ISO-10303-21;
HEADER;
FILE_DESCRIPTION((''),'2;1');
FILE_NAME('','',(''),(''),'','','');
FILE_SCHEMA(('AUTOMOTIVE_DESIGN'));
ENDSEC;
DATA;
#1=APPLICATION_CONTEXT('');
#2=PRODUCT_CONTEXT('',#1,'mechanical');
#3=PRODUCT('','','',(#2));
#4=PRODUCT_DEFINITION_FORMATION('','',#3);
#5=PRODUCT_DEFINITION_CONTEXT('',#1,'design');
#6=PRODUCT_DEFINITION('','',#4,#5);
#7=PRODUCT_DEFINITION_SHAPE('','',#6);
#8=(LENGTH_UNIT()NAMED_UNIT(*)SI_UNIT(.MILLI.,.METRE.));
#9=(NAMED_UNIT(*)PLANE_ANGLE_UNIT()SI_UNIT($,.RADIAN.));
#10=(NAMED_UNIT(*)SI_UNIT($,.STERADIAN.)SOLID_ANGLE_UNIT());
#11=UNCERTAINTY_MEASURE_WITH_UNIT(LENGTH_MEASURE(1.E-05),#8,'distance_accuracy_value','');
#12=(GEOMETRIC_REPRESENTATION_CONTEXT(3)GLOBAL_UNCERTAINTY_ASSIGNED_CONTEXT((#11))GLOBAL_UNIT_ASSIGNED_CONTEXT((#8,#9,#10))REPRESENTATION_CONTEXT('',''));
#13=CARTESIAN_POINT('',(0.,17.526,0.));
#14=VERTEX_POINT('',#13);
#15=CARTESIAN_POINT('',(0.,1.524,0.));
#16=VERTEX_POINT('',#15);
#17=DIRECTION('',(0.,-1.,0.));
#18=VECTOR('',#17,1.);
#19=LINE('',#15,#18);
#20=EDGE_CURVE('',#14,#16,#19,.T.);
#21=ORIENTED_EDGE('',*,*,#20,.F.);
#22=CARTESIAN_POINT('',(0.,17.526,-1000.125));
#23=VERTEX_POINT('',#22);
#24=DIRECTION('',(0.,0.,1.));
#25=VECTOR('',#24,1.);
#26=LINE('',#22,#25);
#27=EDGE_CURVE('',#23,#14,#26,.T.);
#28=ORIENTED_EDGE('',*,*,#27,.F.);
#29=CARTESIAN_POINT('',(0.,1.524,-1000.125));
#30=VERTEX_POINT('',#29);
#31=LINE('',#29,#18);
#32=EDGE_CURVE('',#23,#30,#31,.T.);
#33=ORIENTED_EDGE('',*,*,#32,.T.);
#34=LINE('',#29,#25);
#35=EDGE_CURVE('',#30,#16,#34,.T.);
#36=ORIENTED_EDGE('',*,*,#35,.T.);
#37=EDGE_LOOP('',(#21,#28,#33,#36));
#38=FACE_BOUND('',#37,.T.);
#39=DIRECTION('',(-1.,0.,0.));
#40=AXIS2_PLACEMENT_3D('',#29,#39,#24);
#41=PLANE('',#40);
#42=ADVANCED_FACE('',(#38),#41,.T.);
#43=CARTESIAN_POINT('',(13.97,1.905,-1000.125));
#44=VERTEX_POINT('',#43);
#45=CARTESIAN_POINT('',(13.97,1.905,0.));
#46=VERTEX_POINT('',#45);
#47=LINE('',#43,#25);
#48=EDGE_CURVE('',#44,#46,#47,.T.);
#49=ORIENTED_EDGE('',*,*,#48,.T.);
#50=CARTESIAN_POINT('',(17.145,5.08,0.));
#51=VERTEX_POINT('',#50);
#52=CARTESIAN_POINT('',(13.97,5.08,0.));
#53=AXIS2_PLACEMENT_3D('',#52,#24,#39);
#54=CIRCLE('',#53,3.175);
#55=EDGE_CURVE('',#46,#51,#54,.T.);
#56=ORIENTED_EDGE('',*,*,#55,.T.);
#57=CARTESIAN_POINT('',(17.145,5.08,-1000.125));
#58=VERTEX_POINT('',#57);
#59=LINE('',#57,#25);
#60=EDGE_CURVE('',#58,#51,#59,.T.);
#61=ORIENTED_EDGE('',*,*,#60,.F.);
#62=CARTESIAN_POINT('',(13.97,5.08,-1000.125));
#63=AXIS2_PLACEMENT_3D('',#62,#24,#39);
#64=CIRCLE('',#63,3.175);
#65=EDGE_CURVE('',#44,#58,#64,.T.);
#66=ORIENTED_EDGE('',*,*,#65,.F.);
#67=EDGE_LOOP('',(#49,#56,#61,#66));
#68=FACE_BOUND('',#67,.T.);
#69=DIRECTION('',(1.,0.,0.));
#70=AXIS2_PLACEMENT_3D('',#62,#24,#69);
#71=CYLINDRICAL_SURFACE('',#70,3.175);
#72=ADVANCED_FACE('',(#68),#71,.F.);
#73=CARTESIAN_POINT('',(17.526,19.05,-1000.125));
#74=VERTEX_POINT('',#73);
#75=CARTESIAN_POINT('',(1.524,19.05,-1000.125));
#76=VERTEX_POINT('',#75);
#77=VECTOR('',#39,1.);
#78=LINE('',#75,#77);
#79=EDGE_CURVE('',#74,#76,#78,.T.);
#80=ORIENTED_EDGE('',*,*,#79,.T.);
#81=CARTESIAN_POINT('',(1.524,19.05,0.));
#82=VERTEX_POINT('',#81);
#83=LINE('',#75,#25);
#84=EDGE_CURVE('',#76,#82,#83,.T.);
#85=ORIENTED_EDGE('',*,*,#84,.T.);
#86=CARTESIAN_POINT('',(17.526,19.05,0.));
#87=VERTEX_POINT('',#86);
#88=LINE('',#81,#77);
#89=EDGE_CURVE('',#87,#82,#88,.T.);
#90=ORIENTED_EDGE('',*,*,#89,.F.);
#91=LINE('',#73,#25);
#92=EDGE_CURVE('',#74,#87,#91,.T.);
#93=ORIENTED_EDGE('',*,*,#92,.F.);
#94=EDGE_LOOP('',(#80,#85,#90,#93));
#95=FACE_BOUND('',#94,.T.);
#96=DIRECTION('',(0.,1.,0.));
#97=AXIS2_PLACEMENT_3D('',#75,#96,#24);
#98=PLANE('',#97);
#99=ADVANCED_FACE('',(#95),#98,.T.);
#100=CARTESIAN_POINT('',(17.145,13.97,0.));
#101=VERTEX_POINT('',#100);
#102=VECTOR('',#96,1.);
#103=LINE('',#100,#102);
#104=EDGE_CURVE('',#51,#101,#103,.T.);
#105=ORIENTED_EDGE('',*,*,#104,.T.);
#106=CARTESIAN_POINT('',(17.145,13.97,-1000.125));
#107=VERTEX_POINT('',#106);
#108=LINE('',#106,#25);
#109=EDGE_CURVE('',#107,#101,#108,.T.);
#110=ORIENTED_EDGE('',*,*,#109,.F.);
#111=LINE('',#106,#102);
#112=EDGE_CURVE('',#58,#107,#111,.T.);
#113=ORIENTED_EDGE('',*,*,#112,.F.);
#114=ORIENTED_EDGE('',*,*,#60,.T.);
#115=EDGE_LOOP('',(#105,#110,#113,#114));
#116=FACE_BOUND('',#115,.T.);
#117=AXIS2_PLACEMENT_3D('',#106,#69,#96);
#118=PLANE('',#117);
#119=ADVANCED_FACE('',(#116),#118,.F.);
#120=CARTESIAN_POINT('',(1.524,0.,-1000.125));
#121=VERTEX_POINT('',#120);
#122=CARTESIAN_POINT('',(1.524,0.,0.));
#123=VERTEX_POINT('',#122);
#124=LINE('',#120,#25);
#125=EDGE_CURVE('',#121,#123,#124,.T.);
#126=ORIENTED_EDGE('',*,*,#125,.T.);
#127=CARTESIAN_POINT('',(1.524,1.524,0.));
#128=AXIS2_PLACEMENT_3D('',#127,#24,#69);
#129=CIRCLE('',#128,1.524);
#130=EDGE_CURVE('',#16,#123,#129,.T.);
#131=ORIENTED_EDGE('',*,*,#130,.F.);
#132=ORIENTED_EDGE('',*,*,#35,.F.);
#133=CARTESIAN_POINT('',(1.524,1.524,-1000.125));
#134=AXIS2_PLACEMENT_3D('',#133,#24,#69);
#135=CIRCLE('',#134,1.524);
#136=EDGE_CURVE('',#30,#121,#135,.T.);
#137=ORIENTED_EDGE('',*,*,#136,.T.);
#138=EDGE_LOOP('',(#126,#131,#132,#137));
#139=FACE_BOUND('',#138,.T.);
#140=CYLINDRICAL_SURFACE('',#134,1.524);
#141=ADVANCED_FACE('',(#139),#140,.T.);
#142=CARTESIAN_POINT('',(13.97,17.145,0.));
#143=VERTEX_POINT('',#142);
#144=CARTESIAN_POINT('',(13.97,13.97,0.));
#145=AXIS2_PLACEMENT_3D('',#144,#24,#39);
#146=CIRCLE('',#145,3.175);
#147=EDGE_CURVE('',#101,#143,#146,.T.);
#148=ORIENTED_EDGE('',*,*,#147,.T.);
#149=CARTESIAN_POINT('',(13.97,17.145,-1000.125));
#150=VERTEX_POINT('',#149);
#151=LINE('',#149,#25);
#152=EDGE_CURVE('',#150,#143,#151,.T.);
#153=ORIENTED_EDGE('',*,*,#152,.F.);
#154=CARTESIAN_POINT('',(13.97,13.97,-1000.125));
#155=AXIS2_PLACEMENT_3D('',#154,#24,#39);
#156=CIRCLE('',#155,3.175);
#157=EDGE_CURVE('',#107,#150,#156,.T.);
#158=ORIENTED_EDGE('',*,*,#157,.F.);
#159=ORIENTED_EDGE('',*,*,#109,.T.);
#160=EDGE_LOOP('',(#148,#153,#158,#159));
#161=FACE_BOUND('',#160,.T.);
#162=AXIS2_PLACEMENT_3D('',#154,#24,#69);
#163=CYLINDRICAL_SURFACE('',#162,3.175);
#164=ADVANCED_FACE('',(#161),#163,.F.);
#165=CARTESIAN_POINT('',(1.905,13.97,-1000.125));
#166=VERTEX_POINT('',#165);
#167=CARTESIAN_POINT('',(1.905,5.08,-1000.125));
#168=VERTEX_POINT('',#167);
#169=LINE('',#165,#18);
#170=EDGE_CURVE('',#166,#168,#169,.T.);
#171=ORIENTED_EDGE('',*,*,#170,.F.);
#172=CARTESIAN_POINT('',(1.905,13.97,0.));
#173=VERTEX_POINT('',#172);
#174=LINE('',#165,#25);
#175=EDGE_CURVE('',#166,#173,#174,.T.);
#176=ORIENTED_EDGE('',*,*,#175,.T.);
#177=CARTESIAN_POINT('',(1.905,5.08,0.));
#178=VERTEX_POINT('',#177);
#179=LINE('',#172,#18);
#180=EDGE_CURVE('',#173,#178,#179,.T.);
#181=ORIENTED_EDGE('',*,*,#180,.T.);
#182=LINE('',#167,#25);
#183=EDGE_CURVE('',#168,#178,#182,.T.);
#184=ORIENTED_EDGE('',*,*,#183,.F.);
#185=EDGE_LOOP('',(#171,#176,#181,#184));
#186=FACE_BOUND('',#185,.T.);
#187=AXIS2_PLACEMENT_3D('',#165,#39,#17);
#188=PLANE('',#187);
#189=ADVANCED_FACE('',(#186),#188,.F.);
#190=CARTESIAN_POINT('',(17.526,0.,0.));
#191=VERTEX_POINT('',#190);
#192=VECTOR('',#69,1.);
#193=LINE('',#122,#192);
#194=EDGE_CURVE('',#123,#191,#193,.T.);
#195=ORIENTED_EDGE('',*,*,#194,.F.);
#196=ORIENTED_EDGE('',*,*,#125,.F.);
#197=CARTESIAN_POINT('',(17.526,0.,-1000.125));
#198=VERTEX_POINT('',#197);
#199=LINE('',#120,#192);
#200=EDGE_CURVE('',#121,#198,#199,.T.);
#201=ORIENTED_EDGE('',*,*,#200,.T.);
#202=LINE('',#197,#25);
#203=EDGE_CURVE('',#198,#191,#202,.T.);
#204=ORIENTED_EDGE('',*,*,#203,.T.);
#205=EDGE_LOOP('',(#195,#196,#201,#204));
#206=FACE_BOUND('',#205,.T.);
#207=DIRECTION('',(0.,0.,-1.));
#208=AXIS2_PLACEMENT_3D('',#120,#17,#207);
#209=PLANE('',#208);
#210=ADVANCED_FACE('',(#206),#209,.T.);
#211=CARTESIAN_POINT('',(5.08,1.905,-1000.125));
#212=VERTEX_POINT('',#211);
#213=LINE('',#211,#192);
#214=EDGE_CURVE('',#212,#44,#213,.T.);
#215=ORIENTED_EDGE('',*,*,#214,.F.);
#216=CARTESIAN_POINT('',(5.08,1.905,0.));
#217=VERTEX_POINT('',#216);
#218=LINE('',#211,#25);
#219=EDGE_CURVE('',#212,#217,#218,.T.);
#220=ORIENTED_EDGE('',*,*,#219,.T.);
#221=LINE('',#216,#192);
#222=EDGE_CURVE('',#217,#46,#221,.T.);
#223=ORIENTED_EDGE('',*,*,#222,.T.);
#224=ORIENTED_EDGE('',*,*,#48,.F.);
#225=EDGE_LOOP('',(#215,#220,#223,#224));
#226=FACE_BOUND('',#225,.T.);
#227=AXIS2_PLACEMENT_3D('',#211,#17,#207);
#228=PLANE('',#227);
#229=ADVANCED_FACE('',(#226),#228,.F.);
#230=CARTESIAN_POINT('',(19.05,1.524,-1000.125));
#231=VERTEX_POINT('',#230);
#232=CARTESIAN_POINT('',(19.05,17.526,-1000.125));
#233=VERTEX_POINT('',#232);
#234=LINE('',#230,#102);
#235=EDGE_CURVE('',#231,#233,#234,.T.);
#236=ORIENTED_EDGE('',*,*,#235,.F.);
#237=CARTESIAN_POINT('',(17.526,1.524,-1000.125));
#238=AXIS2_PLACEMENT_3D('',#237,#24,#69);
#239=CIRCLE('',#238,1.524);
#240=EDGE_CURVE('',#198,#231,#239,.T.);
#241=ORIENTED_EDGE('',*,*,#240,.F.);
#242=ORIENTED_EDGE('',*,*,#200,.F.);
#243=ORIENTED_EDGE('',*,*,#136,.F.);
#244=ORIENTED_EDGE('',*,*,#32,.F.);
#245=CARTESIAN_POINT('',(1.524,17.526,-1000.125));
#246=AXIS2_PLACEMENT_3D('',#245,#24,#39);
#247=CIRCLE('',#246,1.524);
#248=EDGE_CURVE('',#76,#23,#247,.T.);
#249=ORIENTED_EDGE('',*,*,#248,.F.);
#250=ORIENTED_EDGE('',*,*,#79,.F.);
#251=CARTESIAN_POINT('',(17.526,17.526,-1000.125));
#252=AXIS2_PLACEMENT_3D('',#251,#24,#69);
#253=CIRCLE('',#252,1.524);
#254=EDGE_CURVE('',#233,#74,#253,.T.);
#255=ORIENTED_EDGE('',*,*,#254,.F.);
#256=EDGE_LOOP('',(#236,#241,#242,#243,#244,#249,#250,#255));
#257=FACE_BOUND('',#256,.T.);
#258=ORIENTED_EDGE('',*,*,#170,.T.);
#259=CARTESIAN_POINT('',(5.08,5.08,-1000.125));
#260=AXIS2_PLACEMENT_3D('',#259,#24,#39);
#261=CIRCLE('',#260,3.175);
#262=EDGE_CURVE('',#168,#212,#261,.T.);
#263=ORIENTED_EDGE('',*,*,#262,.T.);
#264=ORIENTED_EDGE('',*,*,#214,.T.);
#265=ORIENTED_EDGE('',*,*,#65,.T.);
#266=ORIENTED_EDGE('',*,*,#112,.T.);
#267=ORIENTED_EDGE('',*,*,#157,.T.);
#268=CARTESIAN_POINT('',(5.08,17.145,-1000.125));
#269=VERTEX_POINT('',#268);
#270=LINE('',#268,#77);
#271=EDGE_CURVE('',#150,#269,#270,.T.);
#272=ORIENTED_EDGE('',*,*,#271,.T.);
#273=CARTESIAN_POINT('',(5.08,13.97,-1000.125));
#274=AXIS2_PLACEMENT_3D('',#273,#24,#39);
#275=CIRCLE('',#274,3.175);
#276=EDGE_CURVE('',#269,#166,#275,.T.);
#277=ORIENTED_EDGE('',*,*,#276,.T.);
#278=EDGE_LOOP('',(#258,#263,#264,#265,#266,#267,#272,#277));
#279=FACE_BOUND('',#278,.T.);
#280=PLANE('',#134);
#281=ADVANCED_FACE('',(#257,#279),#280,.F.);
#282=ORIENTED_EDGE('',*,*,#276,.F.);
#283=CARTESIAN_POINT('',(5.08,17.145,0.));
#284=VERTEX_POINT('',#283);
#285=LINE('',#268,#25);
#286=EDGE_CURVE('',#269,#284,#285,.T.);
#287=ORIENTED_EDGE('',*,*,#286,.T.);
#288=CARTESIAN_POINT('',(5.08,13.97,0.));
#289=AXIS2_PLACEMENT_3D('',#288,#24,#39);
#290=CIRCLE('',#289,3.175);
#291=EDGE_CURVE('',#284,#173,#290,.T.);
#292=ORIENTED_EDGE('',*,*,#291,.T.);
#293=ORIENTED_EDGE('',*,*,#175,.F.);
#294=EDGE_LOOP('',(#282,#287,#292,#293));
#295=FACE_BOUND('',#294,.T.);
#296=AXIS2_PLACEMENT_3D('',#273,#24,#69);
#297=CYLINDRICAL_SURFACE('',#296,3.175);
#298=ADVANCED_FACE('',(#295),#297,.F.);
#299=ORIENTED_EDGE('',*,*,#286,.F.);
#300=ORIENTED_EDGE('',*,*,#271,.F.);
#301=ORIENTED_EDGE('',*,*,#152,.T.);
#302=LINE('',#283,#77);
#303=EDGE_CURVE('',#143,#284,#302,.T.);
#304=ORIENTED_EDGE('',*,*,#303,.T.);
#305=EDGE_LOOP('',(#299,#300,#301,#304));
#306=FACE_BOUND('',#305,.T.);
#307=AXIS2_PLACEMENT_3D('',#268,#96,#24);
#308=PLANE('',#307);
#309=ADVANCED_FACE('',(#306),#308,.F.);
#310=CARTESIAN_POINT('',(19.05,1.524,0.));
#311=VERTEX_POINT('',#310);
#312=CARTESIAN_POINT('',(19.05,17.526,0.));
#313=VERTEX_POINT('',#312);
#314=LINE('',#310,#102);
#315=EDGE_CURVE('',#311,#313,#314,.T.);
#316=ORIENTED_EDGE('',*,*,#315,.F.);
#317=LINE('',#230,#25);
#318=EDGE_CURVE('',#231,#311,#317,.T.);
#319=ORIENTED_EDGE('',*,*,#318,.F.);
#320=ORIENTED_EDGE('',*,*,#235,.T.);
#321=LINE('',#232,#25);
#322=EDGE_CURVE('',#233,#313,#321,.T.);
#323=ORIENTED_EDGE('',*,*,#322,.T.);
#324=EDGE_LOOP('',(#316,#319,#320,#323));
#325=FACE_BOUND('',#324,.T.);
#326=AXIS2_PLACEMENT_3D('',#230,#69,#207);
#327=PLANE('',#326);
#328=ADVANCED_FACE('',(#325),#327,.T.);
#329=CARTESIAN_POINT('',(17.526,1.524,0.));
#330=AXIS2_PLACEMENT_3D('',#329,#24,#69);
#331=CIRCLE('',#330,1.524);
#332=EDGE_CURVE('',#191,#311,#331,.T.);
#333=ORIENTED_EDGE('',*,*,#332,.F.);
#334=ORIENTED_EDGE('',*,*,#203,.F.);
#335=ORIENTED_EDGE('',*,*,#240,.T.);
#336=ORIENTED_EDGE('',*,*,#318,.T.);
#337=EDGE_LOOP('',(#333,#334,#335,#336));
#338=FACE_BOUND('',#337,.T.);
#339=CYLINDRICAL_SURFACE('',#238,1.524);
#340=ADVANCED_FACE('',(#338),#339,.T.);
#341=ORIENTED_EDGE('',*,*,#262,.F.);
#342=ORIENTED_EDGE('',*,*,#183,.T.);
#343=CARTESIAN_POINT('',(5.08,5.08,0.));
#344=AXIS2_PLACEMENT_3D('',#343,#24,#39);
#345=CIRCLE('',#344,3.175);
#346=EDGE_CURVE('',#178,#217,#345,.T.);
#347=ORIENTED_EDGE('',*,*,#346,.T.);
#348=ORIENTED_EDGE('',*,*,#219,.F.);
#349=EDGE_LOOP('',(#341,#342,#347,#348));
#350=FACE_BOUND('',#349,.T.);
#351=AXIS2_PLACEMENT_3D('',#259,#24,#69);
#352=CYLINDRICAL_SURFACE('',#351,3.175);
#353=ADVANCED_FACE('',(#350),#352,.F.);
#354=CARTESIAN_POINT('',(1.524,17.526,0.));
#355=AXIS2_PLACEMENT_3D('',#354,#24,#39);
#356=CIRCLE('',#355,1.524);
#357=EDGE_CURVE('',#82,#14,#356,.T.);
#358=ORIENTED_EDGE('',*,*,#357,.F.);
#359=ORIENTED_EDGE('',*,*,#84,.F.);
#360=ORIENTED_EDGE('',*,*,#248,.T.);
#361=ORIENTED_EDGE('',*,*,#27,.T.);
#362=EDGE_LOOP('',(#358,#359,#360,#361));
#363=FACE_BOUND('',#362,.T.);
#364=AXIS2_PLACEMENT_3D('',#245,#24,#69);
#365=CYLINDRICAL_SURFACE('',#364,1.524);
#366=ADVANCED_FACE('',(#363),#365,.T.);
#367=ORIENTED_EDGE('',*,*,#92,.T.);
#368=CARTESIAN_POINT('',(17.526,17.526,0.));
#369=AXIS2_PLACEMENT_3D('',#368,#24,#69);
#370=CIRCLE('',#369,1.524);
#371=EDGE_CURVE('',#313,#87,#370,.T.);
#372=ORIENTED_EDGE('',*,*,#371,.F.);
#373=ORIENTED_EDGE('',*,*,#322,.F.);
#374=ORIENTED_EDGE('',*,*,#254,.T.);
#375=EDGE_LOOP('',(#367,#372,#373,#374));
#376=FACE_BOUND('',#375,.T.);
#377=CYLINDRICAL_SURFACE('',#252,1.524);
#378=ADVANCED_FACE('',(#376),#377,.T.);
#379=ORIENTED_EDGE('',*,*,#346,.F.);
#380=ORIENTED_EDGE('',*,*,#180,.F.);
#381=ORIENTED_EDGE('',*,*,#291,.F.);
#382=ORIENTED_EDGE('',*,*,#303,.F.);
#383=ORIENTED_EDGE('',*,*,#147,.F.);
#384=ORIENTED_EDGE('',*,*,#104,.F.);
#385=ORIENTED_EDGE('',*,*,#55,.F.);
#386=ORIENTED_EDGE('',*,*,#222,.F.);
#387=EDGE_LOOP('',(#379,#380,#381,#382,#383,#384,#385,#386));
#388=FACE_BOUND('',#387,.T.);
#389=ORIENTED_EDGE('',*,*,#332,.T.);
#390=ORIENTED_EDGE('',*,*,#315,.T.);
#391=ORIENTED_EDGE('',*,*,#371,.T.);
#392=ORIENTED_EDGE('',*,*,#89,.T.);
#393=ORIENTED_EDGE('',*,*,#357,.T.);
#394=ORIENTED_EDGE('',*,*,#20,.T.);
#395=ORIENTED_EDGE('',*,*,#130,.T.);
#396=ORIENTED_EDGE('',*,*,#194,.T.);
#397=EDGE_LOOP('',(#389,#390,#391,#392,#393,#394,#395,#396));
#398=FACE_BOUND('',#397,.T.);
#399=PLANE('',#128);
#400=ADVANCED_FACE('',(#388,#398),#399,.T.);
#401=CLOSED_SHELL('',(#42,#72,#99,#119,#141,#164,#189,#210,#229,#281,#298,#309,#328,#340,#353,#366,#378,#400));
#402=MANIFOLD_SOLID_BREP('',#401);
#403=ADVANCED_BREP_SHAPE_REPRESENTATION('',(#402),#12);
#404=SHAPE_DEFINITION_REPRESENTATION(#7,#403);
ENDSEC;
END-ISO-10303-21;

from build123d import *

# Parameters (mm, degrees)
BOSS_EXTRUDE1_DEPTH = 1000.125
CUT_EXTRUDE1_DEPTH  = 1001.125


with BuildPart() as part:
    # Sketch1 → Boss-Extrude1 (new body)
    with BuildSketch(Plane.XY):
        with BuildLine():
            Line((1.524, 0), (17.526, 0))
            ThreePointArc((17.526, 0), (18.603630735, 0.446369265), (19.05, 1.524))
            Line((19.05, 1.524), (19.05, 17.526))
            ThreePointArc((19.05, 17.526), (18.603630735, 18.603630735), (17.526, 19.05))
            Line((17.526, 19.05), (1.524, 19.05))
            ThreePointArc((1.524, 19.05), (0.446369265, 18.603630735), (0, 17.526))
            Line((0, 17.526), (0, 1.524))
            ThreePointArc((0, 1.524), (0.446369265, 0.446369265), (1.524, 0))
        make_face()
    extrude(amount=-BOSS_EXTRUDE1_DEPTH)

    # Sketch2 → Cut-Extrude1 (cut, through all)
    with BuildSketch(Plane.XY):
        with BuildLine():
            Line((5.08, 17.145), (13.97, 17.145))
            ThreePointArc((13.97, 17.145), (16.21506403, 16.21506403), (17.145, 13.97))
            Line((17.145, 13.97), (17.145, 5.08))
            ThreePointArc((17.145, 5.08), (16.21506403, 2.83493597), (13.97, 1.905))
            Line((13.97, 1.905), (5.08, 1.905))
            ThreePointArc((5.08, 1.905), (2.83493597, 2.83493597), (1.905, 5.08))
            Line((1.905, 5.08), (1.905, 13.97))
            ThreePointArc((1.905, 13.97), (2.83493597, 16.21506403), (5.08, 17.145))
        make_face()
    extrude(amount=-CUT_EXTRUDE1_DEPTH, mode=Mode.SUBTRACT)


solid = part.part
